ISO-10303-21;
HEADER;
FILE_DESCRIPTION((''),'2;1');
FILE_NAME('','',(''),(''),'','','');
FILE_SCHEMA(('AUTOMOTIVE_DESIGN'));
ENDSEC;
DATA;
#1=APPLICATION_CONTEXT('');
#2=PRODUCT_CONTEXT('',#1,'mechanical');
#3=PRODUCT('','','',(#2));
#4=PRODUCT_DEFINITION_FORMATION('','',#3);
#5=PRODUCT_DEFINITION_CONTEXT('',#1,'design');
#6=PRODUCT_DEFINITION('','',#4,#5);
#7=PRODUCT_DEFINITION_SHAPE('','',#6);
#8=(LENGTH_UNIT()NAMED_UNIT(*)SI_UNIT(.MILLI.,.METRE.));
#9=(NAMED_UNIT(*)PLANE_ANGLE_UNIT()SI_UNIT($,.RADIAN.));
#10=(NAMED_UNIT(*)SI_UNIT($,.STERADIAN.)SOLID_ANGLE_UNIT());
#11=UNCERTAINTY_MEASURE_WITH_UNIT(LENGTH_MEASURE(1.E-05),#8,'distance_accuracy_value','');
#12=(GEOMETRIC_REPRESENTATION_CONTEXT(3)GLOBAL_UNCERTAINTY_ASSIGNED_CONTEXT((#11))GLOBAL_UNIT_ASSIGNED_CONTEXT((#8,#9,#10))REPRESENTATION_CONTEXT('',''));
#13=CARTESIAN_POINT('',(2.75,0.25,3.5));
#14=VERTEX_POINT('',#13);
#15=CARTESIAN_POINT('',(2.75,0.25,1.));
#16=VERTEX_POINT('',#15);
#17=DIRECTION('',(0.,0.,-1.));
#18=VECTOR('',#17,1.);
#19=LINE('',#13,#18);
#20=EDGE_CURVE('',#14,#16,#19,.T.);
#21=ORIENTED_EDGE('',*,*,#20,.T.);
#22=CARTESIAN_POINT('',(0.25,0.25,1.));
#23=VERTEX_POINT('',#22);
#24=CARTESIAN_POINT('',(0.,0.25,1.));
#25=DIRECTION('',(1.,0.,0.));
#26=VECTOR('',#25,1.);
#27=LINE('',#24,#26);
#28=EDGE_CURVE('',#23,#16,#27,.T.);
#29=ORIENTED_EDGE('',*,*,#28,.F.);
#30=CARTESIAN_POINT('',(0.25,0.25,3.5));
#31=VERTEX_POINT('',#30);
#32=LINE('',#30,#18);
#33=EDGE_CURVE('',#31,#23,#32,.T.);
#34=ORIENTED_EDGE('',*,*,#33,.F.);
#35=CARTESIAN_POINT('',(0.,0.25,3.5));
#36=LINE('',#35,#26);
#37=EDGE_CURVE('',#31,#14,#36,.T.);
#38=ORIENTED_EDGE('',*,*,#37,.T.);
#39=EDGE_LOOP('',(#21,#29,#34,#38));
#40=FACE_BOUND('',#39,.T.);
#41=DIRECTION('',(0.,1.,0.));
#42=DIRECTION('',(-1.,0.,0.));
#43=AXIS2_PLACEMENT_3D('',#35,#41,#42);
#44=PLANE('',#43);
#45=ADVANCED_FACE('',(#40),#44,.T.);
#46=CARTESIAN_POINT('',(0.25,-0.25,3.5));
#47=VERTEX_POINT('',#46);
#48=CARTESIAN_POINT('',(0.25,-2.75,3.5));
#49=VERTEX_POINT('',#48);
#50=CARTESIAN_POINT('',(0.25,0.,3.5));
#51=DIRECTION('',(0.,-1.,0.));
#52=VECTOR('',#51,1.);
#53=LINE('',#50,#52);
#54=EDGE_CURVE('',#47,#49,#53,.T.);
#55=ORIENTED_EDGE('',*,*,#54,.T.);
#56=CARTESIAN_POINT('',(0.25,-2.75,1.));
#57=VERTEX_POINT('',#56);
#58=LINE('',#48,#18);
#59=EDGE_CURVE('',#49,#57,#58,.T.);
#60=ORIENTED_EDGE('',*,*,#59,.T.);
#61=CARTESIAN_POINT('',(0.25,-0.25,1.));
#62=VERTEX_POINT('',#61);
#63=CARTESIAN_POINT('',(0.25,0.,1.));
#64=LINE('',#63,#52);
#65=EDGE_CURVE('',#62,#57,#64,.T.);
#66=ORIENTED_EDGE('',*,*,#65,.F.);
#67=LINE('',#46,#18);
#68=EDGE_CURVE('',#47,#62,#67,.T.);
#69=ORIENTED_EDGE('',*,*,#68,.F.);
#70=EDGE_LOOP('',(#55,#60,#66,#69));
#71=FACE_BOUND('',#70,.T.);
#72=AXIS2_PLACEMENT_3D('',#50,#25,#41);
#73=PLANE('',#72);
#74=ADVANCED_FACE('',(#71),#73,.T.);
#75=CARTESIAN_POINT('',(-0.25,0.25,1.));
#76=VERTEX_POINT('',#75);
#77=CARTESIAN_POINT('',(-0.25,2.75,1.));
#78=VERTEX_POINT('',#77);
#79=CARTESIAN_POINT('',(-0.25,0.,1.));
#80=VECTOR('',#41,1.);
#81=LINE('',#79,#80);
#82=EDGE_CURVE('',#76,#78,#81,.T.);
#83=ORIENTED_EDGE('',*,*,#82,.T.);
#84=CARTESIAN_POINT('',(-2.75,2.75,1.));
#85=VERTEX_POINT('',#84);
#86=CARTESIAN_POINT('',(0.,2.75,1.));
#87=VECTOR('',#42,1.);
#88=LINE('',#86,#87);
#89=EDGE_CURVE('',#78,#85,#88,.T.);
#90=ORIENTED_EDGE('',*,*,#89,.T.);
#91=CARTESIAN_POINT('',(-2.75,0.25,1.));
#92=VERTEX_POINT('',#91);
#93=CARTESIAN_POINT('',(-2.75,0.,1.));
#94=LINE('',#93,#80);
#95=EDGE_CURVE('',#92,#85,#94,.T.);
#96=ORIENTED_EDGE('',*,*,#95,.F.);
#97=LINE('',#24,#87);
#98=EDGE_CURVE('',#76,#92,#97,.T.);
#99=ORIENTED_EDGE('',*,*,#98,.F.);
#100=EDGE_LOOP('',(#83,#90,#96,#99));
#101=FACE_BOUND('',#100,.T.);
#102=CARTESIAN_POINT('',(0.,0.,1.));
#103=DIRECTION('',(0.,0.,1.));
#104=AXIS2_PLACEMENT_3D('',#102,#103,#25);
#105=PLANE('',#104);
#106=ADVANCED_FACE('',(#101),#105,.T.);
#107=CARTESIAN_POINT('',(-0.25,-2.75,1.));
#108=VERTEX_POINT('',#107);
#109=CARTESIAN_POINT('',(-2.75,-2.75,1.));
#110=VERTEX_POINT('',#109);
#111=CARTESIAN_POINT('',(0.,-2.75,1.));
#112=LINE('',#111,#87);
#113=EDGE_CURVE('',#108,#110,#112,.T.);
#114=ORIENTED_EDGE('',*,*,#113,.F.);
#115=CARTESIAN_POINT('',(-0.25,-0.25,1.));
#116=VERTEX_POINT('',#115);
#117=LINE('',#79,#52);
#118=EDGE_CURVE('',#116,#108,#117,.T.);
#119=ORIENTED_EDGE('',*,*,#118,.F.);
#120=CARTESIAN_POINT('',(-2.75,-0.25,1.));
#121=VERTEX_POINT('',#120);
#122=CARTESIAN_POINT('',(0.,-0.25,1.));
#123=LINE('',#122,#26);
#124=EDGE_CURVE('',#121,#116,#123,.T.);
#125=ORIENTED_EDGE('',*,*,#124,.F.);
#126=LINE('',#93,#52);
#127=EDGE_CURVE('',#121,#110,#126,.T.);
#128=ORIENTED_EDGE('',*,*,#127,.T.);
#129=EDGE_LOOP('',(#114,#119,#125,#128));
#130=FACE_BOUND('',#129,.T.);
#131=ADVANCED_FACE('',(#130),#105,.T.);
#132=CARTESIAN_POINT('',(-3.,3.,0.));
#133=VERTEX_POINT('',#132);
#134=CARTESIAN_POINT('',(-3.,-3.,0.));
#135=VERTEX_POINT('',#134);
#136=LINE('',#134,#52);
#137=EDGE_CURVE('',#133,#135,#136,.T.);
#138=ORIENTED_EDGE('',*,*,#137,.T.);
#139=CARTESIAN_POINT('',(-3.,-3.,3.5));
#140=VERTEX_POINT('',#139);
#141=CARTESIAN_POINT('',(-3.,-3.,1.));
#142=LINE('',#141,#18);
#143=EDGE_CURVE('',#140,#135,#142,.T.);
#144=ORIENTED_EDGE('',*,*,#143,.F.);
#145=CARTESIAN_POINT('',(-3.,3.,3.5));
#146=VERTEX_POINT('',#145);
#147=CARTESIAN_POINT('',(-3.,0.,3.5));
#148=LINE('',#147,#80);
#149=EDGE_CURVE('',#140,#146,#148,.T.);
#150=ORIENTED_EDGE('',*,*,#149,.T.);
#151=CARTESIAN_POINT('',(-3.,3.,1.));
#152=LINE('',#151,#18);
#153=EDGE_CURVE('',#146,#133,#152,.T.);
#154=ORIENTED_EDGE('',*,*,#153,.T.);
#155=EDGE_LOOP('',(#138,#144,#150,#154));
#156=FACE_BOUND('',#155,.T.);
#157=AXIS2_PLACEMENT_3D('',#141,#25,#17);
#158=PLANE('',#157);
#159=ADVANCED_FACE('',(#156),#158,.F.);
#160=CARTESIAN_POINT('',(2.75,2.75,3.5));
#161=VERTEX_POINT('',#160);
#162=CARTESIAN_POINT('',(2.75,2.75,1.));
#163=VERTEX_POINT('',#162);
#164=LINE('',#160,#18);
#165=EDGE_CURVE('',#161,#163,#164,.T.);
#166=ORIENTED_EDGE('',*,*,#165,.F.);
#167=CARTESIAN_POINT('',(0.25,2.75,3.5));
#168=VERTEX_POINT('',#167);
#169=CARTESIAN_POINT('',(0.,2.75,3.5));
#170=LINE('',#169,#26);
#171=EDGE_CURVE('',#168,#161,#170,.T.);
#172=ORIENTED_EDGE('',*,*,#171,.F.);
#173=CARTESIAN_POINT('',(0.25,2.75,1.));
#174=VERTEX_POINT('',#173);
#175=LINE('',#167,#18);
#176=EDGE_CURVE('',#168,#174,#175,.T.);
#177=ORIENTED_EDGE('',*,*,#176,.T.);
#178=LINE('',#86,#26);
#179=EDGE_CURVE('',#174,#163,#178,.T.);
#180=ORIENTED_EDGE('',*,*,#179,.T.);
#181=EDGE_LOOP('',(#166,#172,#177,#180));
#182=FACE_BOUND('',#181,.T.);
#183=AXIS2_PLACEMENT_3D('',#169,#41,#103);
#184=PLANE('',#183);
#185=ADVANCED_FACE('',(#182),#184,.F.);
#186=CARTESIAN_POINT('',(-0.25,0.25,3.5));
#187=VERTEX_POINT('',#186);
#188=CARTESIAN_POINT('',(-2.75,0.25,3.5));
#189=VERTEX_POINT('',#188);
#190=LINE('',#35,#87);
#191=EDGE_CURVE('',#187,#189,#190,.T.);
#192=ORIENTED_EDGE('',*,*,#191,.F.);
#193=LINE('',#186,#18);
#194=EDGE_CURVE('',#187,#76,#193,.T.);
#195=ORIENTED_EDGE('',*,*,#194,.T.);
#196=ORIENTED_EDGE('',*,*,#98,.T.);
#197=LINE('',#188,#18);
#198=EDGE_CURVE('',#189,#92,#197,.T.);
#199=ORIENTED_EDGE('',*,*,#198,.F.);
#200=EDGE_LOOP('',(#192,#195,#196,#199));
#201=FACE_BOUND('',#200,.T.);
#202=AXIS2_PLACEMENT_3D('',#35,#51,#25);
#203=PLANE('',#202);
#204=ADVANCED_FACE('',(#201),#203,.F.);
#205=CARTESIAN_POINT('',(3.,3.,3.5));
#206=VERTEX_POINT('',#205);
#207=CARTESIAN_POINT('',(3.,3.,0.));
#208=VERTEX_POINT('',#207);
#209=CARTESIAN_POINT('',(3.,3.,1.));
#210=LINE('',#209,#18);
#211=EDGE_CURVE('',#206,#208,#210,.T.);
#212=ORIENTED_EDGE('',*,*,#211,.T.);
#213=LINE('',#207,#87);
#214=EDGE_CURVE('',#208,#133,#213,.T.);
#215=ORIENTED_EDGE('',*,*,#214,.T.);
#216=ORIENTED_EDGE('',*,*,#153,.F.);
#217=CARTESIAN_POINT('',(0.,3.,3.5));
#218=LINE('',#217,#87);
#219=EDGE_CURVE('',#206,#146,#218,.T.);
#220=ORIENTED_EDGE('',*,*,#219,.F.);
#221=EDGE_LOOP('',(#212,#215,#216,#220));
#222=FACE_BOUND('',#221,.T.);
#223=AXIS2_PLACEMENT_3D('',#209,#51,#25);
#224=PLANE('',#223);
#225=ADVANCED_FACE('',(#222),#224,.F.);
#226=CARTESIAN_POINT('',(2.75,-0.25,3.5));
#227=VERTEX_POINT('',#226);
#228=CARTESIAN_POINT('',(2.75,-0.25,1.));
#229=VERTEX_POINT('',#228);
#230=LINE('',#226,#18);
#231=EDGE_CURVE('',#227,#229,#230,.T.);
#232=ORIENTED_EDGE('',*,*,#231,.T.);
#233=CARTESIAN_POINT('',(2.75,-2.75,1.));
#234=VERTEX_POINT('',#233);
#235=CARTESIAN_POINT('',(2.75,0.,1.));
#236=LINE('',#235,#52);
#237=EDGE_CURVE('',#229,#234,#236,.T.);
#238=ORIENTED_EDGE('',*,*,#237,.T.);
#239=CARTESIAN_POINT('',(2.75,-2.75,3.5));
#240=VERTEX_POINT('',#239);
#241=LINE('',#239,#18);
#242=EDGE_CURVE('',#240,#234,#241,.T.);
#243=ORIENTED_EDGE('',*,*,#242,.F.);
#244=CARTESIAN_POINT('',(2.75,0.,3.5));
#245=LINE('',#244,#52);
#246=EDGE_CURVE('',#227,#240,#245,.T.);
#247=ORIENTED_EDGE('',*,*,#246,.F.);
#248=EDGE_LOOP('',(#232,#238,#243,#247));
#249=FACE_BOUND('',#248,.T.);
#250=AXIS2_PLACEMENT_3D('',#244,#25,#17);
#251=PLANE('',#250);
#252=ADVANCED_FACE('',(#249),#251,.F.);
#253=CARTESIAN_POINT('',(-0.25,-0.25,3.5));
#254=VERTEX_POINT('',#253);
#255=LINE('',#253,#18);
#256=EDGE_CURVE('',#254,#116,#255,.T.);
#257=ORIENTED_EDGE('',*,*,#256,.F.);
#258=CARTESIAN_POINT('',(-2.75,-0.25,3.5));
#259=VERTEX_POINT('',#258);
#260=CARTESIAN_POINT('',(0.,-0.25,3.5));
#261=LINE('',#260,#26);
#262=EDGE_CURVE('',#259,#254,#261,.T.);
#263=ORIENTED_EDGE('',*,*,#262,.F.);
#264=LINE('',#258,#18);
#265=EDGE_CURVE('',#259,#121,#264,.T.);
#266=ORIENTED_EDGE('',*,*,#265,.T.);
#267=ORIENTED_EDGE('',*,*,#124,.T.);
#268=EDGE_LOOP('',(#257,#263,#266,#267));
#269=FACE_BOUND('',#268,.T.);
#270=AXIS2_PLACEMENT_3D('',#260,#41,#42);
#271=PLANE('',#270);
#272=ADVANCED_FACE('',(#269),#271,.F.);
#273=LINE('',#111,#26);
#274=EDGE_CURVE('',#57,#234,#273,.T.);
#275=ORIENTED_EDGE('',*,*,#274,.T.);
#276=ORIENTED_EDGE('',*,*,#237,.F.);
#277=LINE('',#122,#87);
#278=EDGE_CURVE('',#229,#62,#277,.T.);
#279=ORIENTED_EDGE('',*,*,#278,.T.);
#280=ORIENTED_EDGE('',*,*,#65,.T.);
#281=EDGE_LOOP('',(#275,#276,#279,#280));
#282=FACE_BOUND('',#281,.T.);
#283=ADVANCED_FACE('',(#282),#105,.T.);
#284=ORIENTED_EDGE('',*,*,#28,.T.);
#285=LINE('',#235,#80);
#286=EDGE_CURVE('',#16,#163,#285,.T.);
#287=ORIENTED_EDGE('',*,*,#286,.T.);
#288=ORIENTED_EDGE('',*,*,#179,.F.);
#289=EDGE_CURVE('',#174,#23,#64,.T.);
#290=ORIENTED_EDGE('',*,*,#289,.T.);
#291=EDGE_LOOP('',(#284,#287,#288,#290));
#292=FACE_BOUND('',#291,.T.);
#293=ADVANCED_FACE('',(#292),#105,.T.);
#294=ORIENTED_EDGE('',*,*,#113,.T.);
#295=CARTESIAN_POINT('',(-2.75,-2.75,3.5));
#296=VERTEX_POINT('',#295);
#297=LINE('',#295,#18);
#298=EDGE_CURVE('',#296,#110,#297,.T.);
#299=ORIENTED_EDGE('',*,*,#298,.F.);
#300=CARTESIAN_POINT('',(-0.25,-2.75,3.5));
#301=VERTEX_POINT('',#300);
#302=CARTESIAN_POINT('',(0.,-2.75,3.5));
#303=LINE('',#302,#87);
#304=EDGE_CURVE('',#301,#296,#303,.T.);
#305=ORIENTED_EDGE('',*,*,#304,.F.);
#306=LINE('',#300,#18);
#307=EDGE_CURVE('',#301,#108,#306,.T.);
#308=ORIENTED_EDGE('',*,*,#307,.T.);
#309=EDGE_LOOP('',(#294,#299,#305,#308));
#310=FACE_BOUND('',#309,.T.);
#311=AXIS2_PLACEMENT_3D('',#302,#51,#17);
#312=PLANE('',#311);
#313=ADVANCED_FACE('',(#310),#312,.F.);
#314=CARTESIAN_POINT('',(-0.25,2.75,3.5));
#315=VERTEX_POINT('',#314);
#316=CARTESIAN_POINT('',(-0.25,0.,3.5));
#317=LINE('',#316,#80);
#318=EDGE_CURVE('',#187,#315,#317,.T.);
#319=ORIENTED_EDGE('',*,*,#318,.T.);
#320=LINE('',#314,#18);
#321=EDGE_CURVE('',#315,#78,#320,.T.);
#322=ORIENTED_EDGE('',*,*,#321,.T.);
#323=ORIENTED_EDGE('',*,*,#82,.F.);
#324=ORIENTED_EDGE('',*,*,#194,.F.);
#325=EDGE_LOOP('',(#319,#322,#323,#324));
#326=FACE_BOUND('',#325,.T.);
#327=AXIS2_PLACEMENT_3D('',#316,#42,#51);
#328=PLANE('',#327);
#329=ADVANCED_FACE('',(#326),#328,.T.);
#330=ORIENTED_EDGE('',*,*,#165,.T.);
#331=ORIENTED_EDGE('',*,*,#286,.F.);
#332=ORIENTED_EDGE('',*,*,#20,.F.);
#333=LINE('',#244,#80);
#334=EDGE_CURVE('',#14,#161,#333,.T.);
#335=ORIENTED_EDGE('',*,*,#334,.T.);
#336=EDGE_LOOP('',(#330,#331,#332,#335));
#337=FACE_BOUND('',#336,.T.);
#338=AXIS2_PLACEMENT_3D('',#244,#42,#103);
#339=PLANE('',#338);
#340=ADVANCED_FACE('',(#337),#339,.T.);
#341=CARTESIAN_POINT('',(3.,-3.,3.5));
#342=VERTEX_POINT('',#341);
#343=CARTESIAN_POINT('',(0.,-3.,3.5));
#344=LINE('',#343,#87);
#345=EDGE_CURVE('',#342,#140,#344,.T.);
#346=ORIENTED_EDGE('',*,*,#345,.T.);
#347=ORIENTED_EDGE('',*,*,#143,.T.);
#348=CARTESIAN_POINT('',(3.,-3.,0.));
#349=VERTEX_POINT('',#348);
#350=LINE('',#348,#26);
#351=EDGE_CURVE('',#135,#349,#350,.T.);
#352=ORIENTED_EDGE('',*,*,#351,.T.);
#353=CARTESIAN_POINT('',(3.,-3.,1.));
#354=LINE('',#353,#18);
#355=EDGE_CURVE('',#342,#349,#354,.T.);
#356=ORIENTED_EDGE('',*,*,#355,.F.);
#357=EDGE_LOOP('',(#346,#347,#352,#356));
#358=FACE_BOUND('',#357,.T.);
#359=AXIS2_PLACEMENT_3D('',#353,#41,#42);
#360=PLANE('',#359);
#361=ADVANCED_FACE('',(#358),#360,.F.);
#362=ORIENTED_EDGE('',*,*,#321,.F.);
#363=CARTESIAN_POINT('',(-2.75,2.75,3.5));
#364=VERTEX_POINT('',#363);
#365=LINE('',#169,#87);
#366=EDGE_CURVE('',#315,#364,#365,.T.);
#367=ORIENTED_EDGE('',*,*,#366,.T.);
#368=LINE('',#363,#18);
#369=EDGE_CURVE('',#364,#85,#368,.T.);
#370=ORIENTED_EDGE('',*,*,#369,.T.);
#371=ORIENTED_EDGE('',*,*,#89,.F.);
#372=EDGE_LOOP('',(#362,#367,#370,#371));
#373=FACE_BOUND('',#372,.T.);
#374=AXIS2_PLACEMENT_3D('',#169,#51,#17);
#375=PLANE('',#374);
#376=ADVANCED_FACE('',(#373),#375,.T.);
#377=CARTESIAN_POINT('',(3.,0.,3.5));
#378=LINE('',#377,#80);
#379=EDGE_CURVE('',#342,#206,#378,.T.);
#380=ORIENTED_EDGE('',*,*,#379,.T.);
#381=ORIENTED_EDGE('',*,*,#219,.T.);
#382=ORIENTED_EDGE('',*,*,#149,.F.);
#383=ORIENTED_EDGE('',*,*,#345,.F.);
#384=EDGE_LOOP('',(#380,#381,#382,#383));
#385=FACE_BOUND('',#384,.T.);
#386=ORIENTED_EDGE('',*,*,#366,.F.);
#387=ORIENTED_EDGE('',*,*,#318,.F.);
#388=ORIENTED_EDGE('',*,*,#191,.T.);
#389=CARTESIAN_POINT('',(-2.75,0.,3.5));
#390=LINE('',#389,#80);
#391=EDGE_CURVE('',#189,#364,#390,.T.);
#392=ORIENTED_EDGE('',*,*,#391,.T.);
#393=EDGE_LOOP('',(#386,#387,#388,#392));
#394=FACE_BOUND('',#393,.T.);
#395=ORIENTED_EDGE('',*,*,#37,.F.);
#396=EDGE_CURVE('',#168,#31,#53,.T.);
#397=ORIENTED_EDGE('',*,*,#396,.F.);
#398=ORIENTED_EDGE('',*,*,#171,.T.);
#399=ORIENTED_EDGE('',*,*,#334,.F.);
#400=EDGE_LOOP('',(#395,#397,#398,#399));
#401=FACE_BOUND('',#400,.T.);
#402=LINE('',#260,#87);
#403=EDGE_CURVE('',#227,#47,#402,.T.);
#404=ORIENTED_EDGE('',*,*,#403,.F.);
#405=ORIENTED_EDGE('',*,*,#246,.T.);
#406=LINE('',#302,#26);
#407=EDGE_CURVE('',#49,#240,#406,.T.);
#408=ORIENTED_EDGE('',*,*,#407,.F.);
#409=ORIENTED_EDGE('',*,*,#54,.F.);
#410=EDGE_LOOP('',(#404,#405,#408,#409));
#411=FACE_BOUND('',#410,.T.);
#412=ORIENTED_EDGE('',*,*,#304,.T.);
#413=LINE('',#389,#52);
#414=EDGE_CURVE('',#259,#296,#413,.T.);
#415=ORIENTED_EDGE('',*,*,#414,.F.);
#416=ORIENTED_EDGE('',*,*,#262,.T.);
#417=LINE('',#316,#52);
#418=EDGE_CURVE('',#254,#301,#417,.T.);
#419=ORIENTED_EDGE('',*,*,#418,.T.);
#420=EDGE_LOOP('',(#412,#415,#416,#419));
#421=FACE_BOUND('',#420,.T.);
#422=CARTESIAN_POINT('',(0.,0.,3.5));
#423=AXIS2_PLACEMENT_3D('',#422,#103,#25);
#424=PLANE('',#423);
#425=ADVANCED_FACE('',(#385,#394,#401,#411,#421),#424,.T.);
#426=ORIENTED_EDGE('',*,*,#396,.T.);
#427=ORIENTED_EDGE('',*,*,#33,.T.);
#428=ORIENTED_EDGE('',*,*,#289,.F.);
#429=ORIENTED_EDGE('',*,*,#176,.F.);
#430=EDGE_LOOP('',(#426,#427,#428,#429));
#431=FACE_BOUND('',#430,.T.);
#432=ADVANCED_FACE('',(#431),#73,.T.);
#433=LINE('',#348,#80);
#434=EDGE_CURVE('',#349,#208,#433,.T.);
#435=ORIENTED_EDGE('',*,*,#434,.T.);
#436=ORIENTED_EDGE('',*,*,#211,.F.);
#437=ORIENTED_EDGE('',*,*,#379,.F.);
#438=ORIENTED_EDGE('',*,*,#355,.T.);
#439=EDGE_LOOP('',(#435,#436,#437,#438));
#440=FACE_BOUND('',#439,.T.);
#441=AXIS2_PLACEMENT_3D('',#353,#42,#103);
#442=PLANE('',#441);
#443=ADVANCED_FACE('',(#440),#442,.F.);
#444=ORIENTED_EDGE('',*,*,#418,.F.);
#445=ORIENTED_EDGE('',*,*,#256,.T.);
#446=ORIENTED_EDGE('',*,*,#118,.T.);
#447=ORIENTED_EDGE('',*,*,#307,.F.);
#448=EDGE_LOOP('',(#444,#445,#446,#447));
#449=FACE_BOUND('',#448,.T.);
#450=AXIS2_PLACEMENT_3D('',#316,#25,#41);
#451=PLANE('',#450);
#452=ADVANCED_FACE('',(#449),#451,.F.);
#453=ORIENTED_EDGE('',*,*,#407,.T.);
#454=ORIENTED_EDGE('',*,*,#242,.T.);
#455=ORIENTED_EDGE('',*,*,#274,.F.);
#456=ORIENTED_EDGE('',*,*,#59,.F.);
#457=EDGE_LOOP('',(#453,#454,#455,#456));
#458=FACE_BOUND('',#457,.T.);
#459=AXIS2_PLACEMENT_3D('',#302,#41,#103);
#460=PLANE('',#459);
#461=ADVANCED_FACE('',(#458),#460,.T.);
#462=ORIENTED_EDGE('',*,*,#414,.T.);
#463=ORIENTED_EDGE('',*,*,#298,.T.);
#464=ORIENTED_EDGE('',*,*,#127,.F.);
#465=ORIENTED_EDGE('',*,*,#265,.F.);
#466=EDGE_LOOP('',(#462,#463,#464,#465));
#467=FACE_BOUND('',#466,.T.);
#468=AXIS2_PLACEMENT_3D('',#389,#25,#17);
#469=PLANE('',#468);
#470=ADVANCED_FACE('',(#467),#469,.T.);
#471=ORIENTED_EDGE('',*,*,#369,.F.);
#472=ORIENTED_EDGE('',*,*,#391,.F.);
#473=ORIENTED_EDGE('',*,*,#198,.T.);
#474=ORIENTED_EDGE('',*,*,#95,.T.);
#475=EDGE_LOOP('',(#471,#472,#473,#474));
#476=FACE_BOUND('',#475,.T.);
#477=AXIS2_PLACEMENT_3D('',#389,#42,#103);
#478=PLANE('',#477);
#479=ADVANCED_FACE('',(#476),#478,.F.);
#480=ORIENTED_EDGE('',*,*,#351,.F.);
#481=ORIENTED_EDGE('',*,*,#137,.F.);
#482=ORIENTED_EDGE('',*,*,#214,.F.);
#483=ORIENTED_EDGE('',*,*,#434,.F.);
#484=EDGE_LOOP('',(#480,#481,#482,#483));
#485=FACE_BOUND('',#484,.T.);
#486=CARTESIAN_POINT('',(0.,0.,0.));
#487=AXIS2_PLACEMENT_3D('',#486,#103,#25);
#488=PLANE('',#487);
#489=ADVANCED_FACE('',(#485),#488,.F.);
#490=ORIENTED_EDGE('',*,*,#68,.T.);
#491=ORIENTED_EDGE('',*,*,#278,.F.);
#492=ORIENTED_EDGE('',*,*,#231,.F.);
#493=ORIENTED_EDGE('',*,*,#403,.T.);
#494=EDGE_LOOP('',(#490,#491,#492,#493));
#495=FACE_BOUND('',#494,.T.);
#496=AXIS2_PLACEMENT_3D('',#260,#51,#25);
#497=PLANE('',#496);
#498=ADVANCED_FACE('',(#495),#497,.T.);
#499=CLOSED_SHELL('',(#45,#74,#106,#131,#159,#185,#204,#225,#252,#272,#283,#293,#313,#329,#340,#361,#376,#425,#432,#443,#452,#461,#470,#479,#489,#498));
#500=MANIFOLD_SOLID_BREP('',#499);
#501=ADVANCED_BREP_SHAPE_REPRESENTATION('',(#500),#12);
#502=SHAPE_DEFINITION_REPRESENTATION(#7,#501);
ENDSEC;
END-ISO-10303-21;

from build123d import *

# Parameters (mm, degrees)
SKETCH_1_W      = 6
SKETCH_1_H      = 6
EXTRUDE_1_DEPTH = 1
SKETCH_2_W      = 6
SKETCH_2_H      = 6
SKETCH_2_W_2    = 2.5
SKETCH_2_H_2    = 2.5
EXTRUDE_2_DEPTH = 2.5


with BuildPart() as part:
    # 스케치1 → 보스-돌출1 (new body)
    with BuildSketch(Plane.XY):
        Rectangle(SKETCH_1_W, SKETCH_1_H)
    extrude(amount=EXTRUDE_1_DEPTH)

    # 스케치2 → 보스-돌출2 (add)
    with BuildSketch(Plane.XY.offset(1)):
        Rectangle(SKETCH_2_W, SKETCH_2_H)
        with Locations((-1.5, -1.5)):
            Rectangle(SKETCH_2_W_2, SKETCH_2_H_2, mode=Mode.SUBTRACT)
        with Locations((1.5, -1.5)):
            Rectangle(SKETCH_2_W_2, SKETCH_2_H_2, mode=Mode.SUBTRACT)
        with Locations((-1.5, 1.5)):
            Rectangle(SKETCH_2_W_2, SKETCH_2_H_2, mode=Mode.SUBTRACT)
        with Locations((1.5, 1.5)):
            Rectangle(SKETCH_2_W_2, SKETCH_2_H_2, mode=Mode.SUBTRACT)
    extrude(amount=EXTRUDE_2_DEPTH)


solid = part.part
